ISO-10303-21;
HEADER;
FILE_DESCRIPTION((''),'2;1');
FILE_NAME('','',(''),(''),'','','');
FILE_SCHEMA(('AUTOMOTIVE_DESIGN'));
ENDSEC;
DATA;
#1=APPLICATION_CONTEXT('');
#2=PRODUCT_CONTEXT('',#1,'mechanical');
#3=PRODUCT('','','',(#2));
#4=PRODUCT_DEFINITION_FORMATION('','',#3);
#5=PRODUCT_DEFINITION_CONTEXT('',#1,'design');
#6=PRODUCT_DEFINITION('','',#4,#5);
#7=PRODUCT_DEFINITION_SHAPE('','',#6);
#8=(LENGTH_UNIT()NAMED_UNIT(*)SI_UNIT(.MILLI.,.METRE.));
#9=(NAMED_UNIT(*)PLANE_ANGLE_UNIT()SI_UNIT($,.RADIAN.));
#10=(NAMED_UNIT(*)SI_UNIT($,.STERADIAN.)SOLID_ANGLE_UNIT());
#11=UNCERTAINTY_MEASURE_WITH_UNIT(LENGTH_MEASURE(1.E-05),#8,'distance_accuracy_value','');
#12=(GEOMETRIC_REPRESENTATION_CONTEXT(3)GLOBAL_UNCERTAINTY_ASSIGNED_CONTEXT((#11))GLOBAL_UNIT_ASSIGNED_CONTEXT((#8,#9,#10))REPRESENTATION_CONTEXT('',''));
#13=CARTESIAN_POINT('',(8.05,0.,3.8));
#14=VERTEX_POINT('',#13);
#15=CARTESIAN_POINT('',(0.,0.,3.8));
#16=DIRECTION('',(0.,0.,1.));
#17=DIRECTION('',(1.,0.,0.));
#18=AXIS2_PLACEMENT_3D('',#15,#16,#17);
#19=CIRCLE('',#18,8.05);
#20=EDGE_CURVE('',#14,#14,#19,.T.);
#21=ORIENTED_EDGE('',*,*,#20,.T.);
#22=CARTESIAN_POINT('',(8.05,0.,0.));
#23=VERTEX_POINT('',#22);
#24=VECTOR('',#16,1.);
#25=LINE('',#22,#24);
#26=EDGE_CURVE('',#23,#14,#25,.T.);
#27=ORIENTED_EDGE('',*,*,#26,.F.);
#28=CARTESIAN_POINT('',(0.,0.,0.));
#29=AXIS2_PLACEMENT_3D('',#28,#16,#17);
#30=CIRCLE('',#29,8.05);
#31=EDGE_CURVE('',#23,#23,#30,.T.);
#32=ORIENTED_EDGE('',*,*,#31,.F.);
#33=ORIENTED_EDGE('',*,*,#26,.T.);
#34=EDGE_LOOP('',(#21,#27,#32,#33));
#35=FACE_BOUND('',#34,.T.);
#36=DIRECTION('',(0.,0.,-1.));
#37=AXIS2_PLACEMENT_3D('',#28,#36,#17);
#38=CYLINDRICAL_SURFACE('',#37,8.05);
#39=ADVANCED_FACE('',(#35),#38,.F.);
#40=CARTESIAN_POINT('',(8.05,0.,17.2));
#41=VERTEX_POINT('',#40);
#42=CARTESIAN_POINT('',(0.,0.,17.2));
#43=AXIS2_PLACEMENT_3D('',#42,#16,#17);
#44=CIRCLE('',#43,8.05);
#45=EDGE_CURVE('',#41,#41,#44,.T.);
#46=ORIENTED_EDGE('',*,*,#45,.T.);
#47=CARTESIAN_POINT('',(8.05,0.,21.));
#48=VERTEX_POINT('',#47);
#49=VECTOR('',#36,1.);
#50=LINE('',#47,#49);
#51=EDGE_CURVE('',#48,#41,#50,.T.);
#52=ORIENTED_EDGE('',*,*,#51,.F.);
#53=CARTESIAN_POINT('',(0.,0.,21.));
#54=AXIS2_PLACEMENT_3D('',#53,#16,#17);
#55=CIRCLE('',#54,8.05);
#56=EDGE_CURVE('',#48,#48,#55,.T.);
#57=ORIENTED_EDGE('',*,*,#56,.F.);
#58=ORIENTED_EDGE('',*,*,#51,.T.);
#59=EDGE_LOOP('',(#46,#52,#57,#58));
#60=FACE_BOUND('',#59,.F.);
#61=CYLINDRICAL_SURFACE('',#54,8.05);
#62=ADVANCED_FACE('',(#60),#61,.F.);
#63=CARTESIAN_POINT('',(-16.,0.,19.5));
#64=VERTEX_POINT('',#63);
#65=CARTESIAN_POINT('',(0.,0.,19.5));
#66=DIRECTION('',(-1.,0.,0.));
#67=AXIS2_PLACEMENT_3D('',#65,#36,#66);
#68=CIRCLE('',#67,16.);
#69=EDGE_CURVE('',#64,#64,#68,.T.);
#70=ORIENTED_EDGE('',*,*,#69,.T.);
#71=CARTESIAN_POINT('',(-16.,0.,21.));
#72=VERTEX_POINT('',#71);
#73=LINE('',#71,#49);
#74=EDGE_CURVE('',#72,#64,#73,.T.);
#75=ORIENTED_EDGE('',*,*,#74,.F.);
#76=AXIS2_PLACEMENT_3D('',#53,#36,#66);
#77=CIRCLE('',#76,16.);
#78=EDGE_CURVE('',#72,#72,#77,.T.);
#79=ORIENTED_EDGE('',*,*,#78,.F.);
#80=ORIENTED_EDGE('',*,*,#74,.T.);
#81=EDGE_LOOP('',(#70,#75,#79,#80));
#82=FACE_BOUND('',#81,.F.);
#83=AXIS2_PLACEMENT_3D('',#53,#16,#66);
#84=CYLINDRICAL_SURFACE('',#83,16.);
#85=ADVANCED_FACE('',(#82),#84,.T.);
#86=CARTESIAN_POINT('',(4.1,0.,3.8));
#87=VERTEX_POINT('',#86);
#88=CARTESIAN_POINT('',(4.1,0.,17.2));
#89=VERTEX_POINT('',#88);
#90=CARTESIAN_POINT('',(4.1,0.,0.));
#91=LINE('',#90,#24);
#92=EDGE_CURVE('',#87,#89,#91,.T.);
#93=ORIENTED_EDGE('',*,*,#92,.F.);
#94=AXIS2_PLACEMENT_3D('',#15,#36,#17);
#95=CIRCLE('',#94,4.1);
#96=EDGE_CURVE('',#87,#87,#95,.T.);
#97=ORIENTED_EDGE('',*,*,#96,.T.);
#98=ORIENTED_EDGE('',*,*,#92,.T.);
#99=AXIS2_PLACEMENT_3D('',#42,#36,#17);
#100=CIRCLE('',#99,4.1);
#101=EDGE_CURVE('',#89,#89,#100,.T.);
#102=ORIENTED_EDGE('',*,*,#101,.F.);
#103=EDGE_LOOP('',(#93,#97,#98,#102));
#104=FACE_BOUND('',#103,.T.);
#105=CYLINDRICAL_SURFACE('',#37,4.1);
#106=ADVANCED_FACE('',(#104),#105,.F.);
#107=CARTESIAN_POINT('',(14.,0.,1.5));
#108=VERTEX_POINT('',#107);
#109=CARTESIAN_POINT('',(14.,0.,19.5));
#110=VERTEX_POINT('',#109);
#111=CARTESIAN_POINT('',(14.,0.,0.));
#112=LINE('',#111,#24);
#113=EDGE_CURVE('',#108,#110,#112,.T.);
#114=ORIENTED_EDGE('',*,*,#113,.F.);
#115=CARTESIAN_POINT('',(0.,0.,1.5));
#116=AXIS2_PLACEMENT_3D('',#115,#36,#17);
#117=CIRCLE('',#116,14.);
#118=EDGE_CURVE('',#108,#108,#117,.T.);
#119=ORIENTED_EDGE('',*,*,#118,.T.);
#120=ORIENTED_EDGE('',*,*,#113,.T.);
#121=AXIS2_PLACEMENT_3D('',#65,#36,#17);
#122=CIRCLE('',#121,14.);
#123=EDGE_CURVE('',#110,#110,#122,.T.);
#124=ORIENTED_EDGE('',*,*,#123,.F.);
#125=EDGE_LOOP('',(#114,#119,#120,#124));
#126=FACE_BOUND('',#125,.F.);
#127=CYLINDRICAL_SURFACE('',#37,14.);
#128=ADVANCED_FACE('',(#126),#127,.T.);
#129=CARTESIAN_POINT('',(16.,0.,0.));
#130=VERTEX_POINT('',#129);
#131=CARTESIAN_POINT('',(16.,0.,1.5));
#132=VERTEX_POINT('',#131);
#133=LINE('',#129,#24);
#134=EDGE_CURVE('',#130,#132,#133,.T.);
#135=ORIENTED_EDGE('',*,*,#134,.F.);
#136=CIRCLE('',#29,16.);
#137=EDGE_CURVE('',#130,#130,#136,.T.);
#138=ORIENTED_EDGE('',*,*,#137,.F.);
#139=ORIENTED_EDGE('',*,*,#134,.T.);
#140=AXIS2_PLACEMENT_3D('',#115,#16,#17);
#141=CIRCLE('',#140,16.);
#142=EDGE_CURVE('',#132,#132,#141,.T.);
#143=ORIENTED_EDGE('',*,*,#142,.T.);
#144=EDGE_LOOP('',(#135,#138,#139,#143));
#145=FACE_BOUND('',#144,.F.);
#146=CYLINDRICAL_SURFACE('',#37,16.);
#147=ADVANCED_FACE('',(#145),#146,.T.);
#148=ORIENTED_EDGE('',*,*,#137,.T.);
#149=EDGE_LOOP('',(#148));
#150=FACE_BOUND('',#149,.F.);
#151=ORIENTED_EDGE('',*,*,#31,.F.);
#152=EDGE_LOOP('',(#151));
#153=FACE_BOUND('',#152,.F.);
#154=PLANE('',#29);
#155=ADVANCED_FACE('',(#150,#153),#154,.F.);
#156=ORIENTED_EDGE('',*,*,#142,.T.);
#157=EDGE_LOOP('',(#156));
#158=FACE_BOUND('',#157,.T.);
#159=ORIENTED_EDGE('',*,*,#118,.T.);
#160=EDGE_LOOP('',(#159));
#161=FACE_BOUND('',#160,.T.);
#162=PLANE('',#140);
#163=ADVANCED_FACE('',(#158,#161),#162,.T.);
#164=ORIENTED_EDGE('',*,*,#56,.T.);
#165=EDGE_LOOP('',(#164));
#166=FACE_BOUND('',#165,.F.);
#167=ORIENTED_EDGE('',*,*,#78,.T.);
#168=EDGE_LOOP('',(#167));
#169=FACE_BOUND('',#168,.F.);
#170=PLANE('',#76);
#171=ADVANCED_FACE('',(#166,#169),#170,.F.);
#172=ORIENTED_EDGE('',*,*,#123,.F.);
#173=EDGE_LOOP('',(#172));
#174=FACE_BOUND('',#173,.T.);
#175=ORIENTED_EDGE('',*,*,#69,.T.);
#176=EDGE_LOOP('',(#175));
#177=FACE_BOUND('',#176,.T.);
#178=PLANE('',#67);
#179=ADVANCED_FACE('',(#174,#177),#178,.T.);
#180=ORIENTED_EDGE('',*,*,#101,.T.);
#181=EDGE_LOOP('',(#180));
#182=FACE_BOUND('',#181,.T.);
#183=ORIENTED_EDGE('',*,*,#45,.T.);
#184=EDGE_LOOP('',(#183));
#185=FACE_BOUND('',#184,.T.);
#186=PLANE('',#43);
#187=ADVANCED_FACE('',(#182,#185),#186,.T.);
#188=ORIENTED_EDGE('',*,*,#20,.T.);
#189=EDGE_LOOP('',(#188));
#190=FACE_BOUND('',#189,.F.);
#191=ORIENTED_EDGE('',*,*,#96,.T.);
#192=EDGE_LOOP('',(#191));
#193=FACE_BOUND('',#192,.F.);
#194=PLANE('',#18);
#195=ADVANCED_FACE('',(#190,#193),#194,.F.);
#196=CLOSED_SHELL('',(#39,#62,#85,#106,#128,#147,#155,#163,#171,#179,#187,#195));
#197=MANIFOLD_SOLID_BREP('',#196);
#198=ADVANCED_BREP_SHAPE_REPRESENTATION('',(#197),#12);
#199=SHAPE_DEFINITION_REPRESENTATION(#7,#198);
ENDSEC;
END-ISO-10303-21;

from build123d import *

# Parameters (mm, degrees)
SKETCH1_R           = 14
SKETCH1_R_2         = 4.1
BOSS_EXTRUDE1_DEPTH = 21
SKETCH8_R           = 16
SKETCH8_R_2         = 6.25
BOSS_EXTRUDE2_DEPTH = 1.5
SKETCH9_R           = 16
SKETCH9_R_2         = 6.25
BOSS_EXTRUDE3_DEPTH = 1.5
SKETCH10_R          = 8.05
CUT_EXTRUDE1_DEPTH  = 3.8
CUT_EXTRUDE2_START  = -21
SKETCH10_2_R        = 8.05
CUT_EXTRUDE2_DEPTH  = 3.8


with BuildPart() as part:
    # Sketch1 → Boss-Extrude1 (new body)
    with BuildSketch(Plane.XY):
        Circle(SKETCH1_R)
        Circle(SKETCH1_R_2, mode=Mode.SUBTRACT)
    extrude(amount=BOSS_EXTRUDE1_DEPTH)

    # Sketch8 → Boss-Extrude2 (add)
    with BuildSketch(Plane(origin=(0, 0, 21), x_dir=(-1, 0, 0), z_dir=(0, 0, -1))):
        Circle(SKETCH8_R)
        Circle(SKETCH8_R_2, mode=Mode.SUBTRACT)
    extrude(amount=BOSS_EXTRUDE2_DEPTH)

    # Sketch9 → Boss-Extrude3 (add)
    with BuildSketch(Plane.XY):
        Circle(SKETCH9_R)
        Circle(SKETCH9_R_2, mode=Mode.SUBTRACT)
    extrude(amount=BOSS_EXTRUDE3_DEPTH)

    # Sketch10 → Cut-Extrude1 (cut)
    with BuildSketch(Plane.XY.offset(21)):
        Circle(SKETCH10_R)
    extrude(amount=-CUT_EXTRUDE1_DEPTH, mode=Mode.SUBTRACT)

    # Sketch10<2> → Cut-Extrude2 (cut)
    with BuildSketch(Plane.XY.offset(21).offset(CUT_EXTRUDE2_START)):
        Circle(SKETCH10_2_R)
    extrude(amount=CUT_EXTRUDE2_DEPTH, mode=Mode.SUBTRACT)


solid = part.part
